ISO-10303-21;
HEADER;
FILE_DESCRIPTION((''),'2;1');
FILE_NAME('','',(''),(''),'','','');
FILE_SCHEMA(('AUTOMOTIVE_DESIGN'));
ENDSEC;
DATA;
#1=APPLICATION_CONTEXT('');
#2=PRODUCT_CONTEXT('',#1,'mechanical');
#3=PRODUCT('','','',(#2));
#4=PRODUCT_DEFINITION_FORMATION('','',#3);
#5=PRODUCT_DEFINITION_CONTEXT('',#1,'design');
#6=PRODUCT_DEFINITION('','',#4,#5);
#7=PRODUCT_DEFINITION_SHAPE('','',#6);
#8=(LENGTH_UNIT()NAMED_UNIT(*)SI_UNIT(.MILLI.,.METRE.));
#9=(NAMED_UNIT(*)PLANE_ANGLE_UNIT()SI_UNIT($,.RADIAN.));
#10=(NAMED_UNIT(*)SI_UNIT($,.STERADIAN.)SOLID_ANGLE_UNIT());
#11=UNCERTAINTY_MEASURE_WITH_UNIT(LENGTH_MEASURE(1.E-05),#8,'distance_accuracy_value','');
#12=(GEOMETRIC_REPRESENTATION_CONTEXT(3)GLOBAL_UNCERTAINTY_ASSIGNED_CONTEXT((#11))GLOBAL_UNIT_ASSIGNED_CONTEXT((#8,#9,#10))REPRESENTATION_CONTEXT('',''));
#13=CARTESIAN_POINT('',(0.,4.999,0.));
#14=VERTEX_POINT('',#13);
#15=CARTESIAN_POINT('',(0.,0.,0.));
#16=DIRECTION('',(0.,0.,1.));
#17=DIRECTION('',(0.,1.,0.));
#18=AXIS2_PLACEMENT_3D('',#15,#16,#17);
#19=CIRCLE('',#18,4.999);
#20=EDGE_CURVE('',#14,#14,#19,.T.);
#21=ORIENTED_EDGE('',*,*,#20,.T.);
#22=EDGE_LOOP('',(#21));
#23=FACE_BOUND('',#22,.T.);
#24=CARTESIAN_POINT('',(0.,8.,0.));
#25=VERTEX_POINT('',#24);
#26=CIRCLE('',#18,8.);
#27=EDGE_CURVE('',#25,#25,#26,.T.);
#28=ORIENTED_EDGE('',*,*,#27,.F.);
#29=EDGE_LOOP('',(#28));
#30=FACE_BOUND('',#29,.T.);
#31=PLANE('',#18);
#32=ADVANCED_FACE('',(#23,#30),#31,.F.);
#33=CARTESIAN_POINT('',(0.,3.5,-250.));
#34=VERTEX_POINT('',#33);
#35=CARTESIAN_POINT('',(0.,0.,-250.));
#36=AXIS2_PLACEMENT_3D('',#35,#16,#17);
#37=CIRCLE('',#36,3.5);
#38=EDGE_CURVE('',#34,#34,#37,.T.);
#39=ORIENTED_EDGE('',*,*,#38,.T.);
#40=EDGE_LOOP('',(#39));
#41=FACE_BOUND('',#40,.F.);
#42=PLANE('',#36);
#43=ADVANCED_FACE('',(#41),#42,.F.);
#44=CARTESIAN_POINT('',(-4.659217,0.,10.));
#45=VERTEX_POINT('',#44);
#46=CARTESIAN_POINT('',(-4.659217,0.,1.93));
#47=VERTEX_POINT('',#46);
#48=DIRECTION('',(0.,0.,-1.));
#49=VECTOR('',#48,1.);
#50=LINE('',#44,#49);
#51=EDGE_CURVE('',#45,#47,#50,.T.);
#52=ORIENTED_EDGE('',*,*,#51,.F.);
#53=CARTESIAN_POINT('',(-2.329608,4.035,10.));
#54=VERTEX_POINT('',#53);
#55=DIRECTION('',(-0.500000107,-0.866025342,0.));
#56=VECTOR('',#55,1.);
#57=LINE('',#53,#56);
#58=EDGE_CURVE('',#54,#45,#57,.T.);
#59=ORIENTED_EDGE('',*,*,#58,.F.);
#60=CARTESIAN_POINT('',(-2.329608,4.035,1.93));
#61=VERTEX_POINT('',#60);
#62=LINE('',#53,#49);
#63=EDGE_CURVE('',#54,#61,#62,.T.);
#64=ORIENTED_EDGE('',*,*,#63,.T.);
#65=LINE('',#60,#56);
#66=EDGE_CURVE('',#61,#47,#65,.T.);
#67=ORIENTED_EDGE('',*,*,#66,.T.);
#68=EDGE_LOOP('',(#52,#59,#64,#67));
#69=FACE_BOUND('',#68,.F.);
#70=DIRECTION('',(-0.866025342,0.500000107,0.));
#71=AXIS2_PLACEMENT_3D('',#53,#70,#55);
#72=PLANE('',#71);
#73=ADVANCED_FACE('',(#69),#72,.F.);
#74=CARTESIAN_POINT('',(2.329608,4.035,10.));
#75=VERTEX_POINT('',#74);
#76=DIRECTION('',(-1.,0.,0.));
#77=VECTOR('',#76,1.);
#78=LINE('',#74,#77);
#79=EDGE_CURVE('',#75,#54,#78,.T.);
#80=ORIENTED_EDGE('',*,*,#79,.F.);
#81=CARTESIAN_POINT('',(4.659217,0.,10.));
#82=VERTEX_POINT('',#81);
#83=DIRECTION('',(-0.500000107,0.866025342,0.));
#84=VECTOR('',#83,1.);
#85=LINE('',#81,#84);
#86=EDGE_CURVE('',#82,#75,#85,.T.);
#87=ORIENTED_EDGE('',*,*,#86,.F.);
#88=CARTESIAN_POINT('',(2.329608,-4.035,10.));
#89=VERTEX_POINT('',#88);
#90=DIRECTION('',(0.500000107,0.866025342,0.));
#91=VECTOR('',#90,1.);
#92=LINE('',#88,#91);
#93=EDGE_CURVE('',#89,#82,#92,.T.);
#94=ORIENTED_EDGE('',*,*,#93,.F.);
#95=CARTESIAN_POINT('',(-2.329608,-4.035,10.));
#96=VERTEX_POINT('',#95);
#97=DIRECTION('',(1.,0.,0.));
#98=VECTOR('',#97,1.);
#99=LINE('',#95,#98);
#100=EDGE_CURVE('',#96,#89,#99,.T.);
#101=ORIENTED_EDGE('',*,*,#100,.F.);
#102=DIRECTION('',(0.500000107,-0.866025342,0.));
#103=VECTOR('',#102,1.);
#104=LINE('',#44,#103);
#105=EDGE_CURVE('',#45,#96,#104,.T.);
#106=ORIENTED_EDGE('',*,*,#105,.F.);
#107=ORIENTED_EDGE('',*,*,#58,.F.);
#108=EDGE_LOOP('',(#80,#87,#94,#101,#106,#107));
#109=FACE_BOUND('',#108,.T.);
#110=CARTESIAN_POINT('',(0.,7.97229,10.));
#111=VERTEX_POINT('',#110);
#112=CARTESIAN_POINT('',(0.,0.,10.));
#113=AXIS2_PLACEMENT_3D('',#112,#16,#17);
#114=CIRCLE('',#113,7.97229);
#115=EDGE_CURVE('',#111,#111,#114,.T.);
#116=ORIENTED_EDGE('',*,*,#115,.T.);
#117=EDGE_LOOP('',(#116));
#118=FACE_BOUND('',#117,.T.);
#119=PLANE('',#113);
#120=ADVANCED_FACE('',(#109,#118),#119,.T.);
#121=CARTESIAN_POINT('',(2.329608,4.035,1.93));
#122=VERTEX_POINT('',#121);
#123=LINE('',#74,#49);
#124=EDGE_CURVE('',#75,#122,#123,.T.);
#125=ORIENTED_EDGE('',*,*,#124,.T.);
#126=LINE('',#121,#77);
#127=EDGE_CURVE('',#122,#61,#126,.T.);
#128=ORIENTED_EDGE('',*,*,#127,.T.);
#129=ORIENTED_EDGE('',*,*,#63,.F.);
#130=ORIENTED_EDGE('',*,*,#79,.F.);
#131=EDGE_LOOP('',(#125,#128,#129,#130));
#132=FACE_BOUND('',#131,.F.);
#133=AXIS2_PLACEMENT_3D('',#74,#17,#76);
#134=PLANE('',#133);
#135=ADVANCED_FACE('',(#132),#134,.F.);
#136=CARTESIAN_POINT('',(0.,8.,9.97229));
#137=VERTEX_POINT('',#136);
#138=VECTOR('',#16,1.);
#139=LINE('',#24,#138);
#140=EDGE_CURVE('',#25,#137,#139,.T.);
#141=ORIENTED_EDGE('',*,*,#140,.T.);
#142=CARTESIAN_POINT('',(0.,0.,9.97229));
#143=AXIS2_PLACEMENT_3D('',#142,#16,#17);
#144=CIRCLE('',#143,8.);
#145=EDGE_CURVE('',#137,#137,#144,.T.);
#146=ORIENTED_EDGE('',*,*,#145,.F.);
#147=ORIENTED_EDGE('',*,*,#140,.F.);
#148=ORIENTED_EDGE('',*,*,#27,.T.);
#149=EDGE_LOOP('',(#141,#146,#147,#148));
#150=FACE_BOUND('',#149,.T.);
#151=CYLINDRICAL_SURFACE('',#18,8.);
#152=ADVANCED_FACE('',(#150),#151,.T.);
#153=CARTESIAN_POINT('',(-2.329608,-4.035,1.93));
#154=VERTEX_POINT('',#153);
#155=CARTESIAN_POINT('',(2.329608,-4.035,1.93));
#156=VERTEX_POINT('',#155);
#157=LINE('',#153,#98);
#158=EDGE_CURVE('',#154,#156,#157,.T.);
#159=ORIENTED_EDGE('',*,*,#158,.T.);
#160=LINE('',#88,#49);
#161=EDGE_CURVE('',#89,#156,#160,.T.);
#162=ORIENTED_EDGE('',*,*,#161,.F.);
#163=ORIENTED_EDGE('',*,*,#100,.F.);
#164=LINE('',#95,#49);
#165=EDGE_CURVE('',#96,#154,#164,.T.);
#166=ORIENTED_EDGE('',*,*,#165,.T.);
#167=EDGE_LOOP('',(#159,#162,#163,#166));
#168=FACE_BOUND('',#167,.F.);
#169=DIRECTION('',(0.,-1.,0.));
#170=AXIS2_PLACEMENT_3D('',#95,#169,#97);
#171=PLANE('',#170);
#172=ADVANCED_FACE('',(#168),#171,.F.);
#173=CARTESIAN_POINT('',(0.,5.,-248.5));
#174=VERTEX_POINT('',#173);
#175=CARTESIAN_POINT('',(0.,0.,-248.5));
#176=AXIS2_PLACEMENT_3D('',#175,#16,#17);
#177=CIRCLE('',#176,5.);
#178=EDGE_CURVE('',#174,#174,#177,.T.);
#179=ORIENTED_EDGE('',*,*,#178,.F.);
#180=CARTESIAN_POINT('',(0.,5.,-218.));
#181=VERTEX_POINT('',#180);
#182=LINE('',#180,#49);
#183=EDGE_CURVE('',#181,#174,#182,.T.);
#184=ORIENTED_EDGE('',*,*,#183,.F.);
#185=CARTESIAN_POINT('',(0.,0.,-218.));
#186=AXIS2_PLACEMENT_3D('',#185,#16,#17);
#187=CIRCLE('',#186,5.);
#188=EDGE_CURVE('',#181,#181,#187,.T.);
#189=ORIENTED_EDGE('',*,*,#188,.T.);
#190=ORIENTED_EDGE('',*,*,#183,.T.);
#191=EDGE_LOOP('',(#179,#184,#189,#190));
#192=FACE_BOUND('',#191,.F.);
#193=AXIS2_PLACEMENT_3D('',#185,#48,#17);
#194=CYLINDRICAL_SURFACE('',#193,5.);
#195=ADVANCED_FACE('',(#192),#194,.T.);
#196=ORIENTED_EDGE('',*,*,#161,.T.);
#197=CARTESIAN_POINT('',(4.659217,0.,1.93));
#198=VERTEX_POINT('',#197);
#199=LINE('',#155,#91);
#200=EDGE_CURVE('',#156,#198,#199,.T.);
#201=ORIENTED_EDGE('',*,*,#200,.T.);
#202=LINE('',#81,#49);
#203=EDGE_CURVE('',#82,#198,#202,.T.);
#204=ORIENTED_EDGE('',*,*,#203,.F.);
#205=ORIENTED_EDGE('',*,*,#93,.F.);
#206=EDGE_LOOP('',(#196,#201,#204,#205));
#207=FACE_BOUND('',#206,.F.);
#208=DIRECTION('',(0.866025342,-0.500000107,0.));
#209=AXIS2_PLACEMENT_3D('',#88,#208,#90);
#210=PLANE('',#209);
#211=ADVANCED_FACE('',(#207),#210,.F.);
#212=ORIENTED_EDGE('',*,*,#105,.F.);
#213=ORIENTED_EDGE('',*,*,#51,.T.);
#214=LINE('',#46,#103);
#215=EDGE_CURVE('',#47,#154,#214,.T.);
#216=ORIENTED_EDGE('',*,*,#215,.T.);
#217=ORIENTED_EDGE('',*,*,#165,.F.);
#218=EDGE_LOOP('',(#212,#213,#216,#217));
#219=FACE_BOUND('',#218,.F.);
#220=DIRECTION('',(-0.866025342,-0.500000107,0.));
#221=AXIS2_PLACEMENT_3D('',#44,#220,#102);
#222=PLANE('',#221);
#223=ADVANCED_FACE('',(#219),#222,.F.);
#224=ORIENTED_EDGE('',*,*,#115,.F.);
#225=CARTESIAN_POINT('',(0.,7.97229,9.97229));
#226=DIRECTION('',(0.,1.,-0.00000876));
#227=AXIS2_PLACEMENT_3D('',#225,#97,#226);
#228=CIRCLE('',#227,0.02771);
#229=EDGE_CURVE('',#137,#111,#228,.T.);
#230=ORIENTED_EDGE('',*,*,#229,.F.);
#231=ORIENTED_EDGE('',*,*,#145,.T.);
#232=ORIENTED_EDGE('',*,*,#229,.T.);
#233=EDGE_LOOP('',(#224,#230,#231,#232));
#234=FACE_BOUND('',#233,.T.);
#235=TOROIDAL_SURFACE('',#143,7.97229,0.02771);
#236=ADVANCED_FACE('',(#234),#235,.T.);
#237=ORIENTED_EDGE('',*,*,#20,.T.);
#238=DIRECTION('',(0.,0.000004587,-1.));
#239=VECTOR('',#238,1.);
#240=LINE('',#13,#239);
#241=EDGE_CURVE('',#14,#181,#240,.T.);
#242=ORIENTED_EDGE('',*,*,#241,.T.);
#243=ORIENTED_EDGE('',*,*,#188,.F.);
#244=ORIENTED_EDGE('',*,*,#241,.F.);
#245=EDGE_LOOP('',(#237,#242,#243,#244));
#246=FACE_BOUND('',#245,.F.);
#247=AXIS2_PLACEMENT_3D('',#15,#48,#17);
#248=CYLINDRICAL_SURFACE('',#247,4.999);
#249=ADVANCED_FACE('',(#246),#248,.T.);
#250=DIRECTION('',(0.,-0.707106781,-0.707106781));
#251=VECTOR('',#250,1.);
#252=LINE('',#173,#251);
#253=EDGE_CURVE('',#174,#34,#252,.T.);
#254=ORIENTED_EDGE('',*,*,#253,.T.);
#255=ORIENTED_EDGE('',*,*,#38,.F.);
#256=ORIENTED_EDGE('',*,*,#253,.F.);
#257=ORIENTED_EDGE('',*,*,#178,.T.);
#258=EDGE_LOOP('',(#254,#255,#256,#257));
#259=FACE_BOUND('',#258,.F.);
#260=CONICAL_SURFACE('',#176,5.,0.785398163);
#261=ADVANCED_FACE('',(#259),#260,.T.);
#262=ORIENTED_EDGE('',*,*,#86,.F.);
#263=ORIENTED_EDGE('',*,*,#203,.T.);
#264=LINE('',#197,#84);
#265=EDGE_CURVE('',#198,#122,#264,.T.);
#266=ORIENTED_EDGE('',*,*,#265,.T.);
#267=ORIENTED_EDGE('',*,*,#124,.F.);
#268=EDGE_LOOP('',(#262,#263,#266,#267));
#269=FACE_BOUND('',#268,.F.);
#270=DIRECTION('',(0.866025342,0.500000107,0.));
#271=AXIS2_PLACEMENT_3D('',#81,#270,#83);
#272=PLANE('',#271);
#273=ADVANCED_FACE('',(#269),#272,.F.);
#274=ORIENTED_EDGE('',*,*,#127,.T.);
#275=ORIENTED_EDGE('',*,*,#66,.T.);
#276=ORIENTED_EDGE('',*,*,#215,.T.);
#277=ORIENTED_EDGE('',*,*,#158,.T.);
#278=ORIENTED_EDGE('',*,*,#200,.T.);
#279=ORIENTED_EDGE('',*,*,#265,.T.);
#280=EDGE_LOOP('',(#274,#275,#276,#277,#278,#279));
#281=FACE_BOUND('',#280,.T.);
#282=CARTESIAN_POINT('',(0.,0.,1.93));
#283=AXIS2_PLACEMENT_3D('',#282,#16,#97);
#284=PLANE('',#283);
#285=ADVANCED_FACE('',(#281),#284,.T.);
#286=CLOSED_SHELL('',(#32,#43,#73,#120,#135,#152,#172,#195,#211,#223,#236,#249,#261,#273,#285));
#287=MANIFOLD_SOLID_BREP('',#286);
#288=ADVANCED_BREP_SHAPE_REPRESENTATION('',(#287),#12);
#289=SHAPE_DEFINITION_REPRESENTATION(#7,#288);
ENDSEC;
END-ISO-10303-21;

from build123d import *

# Parameters (mm, degrees)
POCKET_DEPTH = 8.07


with BuildPart() as part:
    # Sketch → Revolve (revolve)
    with BuildSketch(Plane.YZ):
        with BuildLine():
            Line((4.999, 0), (8, 0))
            Line((8, 0), (8, 9.97229))
            ThreePointArc((8, 9.97229), (7.991884, 9.991884), (7.97229, 10))
            Line((7.97229, 10), (0, 10))
            Line((0, -250), (0, 10))
            Line((3.5, -250), (0, -250))
            Line((5, -248.5), (3.5, -250))
            Line((5, -218), (5, -248.5))
            Line((4.999, 0), (5, -218))
        make_face()
    revolve(axis=Axis((0, 0, 0), (0, 0, 1)))

    # Sketch001 → Pocket (cut)
    with BuildSketch(Plane.XY.offset(10)):
        Polygon((4.659217, 0), (2.329608, 4.035), (-2.329608, 4.035), (-4.659217, 0), (-2.329608, -4.035), (2.329608, -4.035), align=None)
    extrude(amount=-POCKET_DEPTH, mode=Mode.SUBTRACT)


solid = part.part
